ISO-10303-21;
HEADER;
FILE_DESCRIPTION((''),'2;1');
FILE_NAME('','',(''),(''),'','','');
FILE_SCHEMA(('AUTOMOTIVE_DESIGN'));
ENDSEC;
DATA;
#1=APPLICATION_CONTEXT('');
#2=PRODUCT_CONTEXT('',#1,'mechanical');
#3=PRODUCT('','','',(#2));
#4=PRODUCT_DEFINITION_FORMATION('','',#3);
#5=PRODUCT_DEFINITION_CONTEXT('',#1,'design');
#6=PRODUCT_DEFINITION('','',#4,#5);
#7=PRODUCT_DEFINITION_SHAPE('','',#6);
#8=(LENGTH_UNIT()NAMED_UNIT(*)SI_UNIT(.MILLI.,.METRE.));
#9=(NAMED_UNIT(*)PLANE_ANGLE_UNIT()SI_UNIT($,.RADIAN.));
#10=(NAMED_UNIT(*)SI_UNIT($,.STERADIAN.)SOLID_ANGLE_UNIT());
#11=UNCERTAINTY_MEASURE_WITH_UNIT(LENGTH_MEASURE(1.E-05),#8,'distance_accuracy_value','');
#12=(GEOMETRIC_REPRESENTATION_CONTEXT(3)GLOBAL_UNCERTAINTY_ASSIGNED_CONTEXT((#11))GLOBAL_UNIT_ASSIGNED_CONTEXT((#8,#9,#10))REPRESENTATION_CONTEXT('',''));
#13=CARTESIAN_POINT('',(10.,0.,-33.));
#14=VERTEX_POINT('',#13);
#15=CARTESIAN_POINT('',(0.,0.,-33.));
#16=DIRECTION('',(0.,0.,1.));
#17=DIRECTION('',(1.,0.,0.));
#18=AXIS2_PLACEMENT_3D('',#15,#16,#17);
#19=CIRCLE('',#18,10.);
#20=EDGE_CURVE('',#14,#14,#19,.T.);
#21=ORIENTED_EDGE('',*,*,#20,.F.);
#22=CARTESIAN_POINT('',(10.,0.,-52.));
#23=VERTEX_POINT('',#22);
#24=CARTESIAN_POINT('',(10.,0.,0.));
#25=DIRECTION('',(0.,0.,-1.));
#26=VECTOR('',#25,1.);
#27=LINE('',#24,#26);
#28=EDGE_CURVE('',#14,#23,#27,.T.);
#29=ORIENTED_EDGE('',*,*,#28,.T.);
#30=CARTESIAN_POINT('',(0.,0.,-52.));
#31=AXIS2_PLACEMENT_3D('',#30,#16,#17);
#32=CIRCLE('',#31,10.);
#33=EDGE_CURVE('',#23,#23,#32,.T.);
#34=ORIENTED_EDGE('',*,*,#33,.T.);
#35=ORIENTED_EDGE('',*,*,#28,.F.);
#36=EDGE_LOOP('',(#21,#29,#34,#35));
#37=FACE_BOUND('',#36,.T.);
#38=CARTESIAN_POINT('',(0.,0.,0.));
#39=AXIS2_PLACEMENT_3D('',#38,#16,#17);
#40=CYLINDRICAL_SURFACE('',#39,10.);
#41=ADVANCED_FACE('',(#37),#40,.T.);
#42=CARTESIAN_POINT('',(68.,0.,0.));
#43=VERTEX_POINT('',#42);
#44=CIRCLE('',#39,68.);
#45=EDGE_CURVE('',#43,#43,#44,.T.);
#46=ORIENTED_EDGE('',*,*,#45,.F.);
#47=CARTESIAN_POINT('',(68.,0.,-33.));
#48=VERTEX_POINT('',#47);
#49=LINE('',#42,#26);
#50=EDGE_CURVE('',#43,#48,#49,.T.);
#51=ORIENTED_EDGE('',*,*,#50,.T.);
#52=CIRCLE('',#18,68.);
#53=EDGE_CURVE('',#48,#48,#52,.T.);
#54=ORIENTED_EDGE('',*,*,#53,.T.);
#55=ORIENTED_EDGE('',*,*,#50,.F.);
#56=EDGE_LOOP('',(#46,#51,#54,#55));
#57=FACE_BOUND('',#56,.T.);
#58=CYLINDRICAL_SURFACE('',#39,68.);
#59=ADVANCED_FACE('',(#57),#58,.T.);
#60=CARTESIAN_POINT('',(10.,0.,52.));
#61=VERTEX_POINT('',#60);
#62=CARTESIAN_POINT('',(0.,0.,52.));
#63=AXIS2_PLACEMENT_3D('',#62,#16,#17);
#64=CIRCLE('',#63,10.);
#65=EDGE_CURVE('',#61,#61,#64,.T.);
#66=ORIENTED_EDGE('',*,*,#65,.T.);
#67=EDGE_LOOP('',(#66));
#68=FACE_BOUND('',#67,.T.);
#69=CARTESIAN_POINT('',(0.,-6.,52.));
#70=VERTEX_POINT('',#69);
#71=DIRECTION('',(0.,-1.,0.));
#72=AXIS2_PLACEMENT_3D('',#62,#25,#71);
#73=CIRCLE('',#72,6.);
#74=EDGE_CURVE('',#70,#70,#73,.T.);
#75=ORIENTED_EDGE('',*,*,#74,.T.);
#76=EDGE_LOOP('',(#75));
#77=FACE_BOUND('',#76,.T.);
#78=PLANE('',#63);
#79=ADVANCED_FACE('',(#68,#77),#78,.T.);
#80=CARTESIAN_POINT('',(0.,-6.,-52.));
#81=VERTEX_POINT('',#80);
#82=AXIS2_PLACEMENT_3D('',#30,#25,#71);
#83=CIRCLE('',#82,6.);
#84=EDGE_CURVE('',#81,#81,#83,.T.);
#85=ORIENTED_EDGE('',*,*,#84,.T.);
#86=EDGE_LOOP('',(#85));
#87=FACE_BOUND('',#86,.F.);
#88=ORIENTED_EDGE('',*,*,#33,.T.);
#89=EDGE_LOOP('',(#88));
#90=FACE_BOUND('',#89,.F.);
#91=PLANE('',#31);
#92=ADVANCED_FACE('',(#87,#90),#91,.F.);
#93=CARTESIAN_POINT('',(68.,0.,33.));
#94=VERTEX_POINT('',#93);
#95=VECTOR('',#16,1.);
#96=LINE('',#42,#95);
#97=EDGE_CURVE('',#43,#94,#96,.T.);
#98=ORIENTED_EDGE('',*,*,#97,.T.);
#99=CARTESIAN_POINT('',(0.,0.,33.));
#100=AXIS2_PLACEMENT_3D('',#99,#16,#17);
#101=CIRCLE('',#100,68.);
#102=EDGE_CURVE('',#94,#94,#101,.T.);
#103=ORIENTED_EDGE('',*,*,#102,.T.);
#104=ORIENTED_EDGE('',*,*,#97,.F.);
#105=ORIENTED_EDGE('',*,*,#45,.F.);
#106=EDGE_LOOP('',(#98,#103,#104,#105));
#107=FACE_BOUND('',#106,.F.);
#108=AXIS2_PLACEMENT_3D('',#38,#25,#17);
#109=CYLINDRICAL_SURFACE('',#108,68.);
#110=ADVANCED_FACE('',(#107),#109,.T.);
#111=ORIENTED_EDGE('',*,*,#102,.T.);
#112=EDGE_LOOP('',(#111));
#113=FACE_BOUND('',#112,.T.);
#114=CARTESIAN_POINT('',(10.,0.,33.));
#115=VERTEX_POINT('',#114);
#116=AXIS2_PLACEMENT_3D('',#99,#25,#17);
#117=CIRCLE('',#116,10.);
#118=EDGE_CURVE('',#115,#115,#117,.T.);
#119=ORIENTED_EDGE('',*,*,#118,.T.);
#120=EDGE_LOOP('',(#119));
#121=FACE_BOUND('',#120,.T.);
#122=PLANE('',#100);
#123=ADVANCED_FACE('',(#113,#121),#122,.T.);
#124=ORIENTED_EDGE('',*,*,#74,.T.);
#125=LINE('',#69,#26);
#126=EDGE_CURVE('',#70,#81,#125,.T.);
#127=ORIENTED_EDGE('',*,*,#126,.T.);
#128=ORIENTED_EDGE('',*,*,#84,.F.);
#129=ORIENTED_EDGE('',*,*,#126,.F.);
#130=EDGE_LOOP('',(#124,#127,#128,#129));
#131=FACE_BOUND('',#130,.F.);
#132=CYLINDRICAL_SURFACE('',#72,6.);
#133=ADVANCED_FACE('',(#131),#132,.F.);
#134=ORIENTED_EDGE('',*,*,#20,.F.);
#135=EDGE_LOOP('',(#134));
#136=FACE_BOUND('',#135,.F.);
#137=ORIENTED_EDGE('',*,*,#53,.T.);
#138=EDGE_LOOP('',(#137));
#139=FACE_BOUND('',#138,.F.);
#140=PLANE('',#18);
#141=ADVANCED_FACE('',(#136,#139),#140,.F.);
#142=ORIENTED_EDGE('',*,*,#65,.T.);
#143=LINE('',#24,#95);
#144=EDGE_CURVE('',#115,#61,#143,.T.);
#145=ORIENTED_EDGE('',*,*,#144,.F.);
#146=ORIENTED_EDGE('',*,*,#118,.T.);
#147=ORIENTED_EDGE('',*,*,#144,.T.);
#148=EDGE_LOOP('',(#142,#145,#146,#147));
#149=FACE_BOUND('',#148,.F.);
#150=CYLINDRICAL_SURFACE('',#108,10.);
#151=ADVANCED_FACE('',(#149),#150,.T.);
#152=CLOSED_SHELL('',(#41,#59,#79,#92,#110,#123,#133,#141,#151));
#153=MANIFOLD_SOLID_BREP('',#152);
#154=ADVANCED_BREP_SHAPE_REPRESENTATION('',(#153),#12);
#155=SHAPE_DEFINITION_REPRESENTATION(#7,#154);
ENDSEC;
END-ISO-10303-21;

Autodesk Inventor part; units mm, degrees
ref_plane "YZ Plane" through (0, 0, 0) normal (1, 0, 0) x (0, 1, 0)
ref_plane "XZ Plane" through (0, 0, 0) normal (0, 1, 0) x (-1, 0, 0)
ref_plane "XY Plane" through (0, 0, 0) normal (0, 0, 1) x (1, 0, 0)
sketch "スケッチ1" plane through (0, 0, 0) normal (0, 0, 1) x (1, 0, 0)
  circle A0 centre (0, 0) radius 68
  dimension "d0" = 136
extrude "押し出し1" add sketch "スケッチ1" along normal mid plane 66
sketch "スケッチ2" plane through (0, 0, 0) normal (0, 0, 1) x (1, 0, 0)
  circle A0 centre (0, 0) radius 10
  dimension "d3" = 20
extrude "押し出し2" add sketch "スケッチ2" along normal mid plane 104
sketch "スケッチ3" plane through (0, 0, 52) normal (0, 0, 1) x (1, 0, 0)
  point P0 (0, 0)
  point P1 (0, 0)
hole "穴1" at (0, 0, 52) direction (0, 0, -1) diameter 12 end through all
properties part number "前輪ハブ"
